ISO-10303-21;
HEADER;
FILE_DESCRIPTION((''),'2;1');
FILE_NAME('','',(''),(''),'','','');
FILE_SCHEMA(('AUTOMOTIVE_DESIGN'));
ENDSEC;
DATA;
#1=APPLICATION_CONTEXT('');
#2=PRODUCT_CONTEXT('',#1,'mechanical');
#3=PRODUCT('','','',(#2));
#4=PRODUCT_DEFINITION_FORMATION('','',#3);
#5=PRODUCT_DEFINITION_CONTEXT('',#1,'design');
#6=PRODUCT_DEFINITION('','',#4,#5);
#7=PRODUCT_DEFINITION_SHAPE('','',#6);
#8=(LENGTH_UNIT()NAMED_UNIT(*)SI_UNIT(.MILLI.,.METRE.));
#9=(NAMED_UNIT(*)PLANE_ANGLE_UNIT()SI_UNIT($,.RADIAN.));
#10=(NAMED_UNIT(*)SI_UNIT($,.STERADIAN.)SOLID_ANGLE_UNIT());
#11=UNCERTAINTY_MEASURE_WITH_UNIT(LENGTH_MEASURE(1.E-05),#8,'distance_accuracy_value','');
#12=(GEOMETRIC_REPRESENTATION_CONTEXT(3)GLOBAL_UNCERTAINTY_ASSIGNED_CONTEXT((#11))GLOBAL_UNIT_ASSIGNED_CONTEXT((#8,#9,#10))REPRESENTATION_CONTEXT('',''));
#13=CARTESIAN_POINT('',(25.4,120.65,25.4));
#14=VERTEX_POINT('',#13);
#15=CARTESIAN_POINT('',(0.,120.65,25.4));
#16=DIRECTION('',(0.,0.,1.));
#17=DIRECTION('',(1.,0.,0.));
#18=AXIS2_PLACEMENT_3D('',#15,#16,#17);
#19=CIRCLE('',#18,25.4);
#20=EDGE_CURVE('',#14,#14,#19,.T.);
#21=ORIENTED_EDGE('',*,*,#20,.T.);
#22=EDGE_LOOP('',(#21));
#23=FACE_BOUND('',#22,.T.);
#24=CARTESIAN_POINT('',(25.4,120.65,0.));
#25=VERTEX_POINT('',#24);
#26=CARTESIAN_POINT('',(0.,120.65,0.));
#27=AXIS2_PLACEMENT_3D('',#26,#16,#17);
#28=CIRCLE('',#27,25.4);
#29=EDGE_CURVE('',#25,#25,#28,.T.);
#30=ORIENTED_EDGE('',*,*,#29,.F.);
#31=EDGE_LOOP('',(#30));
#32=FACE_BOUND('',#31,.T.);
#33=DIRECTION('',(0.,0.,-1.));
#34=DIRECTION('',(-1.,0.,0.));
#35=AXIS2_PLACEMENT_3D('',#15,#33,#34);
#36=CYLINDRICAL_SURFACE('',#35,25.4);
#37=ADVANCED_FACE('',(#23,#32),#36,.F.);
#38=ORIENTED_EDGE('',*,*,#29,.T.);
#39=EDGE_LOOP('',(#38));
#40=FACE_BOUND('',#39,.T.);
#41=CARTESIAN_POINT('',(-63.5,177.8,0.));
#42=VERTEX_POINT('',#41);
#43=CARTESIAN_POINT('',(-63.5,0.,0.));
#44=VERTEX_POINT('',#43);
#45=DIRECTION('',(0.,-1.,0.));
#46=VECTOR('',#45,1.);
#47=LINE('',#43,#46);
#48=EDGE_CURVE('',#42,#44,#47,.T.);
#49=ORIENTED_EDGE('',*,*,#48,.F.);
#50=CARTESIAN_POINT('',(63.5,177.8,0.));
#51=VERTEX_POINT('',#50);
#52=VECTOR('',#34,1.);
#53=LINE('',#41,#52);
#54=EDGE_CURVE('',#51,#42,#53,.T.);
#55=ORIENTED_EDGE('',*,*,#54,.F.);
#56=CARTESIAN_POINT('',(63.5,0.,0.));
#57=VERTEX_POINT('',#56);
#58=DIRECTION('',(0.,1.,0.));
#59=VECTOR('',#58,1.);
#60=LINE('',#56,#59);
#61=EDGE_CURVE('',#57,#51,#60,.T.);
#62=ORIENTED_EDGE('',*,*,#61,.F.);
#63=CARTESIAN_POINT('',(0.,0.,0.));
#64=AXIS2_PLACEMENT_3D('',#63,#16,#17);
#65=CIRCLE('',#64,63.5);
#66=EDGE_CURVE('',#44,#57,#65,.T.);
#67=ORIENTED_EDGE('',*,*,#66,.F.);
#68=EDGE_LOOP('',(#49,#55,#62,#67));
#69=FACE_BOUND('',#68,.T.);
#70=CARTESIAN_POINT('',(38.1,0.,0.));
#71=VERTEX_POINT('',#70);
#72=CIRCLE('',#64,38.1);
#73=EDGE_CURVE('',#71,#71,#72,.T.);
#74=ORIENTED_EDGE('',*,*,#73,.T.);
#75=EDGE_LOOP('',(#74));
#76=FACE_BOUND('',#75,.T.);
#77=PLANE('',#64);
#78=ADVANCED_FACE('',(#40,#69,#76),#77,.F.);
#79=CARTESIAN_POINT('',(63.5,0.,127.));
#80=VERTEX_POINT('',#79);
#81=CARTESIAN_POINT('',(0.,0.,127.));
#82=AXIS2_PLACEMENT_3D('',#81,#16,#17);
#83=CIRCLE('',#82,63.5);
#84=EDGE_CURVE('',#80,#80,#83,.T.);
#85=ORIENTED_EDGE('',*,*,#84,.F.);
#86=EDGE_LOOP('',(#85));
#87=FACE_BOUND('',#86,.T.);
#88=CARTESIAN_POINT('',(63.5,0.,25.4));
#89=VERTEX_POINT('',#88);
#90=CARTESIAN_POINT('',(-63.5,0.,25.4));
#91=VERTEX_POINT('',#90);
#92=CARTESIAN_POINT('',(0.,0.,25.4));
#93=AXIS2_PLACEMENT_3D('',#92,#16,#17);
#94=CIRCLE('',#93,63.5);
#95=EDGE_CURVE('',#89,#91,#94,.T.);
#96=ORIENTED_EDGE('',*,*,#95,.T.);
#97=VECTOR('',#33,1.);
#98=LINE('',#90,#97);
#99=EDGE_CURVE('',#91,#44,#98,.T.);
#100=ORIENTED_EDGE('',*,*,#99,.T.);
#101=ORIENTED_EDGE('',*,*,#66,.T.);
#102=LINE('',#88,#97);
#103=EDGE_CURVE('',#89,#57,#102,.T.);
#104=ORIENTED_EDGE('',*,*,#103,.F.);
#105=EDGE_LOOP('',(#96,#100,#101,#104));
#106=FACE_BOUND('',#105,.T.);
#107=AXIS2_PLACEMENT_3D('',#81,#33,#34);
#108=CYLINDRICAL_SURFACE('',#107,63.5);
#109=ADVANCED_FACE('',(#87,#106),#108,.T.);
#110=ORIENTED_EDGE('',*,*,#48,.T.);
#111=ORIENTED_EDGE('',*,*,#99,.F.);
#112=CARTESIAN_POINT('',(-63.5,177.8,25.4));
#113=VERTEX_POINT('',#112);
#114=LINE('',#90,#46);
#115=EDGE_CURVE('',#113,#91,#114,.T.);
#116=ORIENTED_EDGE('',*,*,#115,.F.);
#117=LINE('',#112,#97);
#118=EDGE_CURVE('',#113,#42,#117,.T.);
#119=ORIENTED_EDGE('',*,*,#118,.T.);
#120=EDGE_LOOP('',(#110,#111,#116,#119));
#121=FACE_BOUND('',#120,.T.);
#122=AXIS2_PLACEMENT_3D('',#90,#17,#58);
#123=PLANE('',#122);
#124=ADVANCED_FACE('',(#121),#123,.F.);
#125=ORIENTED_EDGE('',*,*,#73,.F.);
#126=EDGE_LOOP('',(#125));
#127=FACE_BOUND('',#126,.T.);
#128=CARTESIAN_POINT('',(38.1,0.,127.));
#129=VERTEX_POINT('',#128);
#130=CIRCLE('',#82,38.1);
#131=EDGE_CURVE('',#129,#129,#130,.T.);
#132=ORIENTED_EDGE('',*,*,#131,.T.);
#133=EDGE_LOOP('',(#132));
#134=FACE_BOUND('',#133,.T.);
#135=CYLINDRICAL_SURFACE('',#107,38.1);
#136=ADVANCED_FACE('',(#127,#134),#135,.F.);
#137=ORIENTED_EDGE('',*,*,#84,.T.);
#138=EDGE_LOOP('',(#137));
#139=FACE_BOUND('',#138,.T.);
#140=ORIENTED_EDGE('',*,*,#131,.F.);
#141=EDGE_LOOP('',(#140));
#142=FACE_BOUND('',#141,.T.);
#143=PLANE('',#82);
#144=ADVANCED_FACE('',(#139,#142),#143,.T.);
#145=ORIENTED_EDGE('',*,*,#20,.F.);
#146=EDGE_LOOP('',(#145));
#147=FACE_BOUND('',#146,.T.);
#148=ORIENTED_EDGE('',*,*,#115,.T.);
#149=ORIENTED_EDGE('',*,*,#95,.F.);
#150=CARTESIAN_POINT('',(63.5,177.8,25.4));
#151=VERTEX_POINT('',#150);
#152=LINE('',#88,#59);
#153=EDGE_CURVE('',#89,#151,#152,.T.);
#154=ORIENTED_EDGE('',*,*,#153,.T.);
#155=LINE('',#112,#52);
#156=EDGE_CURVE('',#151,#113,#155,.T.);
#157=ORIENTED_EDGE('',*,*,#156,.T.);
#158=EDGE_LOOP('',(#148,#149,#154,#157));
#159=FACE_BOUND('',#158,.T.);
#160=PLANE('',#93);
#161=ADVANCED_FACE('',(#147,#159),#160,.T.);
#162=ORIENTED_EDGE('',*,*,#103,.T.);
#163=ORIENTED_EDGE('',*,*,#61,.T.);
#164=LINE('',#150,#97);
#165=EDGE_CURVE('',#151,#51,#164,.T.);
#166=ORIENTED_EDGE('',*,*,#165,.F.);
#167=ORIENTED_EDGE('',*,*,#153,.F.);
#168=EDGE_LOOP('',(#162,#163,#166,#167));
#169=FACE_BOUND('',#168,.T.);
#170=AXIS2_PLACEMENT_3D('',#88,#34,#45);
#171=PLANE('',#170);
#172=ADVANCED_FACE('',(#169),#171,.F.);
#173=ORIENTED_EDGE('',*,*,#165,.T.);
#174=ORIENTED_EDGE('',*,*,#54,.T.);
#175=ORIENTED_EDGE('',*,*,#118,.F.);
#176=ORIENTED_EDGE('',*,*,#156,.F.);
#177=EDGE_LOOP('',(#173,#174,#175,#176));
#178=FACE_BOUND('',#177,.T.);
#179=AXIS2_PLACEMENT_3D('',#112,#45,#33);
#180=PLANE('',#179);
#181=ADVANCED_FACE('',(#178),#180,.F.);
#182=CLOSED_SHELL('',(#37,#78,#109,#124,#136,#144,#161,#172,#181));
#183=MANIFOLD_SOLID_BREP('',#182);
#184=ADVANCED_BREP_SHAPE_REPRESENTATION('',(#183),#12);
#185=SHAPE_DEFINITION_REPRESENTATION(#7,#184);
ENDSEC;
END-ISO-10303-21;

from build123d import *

# Parameters (mm, degrees)
SKETCH3_R           = 63.5
SKETCH3_R_2         = 38.1
BOSS_EXTRUDE1_DEPTH = 127
SKETCH4_R           = 38.1
SKETCH4_R_2         = 25.4
BOSS_EXTRUDE2_DEPTH = 25.4


with BuildPart() as part:
    # Sketch3 → Boss-Extrude1 (new body)
    with BuildSketch(Plane(origin=(0, 0, 0), x_dir=(0, 1, 0), z_dir=(0, 0, 1))):
        with Locations(Location((0, 0, 0), (0, 0, 270))):
            Circle(SKETCH3_R)
        with Locations(Location((0, 0, 0), (0, 0, 270))):
            Circle(SKETCH3_R_2, mode=Mode.SUBTRACT)
    extrude(amount=BOSS_EXTRUDE1_DEPTH)

    # Sketch4 → Boss-Extrude2 (add)
    with BuildSketch(Plane(origin=(0, 0, 0), x_dir=(0, 1, 0), z_dir=(0, 0, 1))):
        with BuildLine():
            Line((0, 63.5), (177.8, 63.5))
            Line((177.8, 63.5), (177.8, -63.5))
            Line((177.8, -63.5), (0, -63.5))
            ThreePointArc((0, -63.5), (-63.5, 0), (0, 63.5))
        make_face()
        with Locations(Location((0, 0, 0), (0, 0, 270))):
            Circle(SKETCH4_R, mode=Mode.SUBTRACT)
        with Locations(Location((120.65, 0, 0), (0, 0, 270))):
            Circle(SKETCH4_R_2, mode=Mode.SUBTRACT)
    extrude(amount=BOSS_EXTRUDE2_DEPTH)


solid = part.part
